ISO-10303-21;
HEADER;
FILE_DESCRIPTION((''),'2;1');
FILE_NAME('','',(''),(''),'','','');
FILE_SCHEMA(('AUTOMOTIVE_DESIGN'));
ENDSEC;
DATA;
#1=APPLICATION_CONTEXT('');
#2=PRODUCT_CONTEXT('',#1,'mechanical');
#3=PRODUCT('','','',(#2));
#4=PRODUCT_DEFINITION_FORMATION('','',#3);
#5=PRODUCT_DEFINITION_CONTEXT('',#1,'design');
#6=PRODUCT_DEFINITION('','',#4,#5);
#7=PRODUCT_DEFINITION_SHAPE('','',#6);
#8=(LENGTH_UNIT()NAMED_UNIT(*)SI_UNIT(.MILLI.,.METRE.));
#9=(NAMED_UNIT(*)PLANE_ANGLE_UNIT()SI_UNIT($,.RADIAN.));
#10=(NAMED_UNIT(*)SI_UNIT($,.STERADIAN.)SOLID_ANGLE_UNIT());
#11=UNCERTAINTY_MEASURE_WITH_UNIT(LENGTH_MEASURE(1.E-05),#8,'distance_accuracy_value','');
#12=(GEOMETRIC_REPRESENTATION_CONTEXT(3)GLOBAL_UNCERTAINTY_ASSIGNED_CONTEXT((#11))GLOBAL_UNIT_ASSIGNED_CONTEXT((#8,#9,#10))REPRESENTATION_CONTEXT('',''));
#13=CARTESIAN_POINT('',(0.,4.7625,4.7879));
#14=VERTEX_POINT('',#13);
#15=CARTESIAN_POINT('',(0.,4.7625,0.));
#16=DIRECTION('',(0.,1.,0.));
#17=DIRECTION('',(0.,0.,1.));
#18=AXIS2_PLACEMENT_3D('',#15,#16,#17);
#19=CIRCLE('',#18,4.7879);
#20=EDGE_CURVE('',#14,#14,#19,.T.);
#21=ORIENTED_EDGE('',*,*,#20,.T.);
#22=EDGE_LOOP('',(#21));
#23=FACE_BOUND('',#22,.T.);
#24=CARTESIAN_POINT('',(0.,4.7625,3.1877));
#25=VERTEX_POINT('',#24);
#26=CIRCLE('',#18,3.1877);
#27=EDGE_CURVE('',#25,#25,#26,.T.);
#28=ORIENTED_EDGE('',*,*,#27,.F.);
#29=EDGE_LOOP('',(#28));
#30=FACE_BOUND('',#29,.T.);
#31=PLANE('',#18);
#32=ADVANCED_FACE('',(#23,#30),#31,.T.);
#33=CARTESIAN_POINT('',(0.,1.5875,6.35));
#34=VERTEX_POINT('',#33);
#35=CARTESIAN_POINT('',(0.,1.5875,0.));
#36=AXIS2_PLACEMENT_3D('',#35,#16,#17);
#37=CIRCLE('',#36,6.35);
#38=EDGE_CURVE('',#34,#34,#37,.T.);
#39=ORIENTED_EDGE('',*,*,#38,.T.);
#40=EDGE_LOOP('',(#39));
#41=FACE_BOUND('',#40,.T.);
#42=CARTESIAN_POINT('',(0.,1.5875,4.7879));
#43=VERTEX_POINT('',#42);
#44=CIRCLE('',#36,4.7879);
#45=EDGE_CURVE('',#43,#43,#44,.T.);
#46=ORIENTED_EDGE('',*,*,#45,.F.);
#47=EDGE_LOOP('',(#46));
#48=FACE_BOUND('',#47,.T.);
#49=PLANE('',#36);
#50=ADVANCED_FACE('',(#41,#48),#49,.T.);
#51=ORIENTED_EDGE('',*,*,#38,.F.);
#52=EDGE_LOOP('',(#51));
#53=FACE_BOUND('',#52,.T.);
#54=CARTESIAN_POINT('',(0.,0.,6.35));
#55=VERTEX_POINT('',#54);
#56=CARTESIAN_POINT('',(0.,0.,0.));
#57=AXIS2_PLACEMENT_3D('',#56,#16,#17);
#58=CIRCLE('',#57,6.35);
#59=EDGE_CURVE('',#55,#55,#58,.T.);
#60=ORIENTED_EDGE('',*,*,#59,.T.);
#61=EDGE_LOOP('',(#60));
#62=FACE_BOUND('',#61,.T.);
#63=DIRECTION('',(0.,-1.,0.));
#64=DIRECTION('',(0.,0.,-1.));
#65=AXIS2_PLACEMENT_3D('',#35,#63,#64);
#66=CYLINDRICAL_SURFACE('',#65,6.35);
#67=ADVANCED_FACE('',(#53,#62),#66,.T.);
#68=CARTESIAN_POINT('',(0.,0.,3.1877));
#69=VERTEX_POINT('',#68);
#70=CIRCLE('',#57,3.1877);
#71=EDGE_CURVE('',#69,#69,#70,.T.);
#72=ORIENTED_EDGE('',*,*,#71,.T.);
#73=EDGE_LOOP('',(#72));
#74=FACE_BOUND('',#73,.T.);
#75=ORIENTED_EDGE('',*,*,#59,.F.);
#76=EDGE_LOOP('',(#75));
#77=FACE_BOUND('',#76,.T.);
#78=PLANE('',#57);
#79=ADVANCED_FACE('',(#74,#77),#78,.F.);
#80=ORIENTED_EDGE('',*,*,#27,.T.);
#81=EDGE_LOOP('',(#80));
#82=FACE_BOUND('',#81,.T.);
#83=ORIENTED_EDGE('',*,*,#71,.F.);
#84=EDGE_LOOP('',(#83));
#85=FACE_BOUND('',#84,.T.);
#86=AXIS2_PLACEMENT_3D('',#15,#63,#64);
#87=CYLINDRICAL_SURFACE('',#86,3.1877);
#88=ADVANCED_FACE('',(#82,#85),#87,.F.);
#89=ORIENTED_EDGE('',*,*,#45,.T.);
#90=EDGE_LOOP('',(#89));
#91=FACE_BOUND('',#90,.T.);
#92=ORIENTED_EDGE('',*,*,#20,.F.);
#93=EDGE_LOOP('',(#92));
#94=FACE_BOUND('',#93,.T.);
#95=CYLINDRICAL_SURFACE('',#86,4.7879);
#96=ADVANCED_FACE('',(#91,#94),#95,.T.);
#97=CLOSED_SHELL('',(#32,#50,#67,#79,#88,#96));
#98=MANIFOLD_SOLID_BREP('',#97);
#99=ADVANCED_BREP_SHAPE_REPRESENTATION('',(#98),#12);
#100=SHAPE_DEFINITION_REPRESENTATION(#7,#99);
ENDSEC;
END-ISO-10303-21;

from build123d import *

# Parameters (mm, degrees)
SKETCH2_R           = 4.7879
SKETCH2_R_2         = 3.1877
BOSS_EXTRUDE1_DEPTH = 4.7625
SKETCH3_R           = 6.35
SKETCH3_R_2         = 4.7879
BOSS_EXTRUDE2_DEPTH = 1.5875


with BuildPart() as part:
    # Sketch2 → Boss-Extrude1 (new body)
    with BuildSketch(Plane(origin=(0, 0, 0), x_dir=(1, 0, 0), z_dir=(0, 1, 0))):
        Circle(SKETCH2_R)
        Circle(SKETCH2_R_2, mode=Mode.SUBTRACT)
    extrude(amount=BOSS_EXTRUDE1_DEPTH)

    # Sketch3 → Boss-Extrude2 (add)
    with BuildSketch(Plane(origin=(0, 0, 0), x_dir=(1, 0, 0), z_dir=(0, 1, 0))):
        Circle(SKETCH3_R)
        Circle(SKETCH3_R_2, mode=Mode.SUBTRACT)
    extrude(amount=BOSS_EXTRUDE2_DEPTH)


solid = part.part
